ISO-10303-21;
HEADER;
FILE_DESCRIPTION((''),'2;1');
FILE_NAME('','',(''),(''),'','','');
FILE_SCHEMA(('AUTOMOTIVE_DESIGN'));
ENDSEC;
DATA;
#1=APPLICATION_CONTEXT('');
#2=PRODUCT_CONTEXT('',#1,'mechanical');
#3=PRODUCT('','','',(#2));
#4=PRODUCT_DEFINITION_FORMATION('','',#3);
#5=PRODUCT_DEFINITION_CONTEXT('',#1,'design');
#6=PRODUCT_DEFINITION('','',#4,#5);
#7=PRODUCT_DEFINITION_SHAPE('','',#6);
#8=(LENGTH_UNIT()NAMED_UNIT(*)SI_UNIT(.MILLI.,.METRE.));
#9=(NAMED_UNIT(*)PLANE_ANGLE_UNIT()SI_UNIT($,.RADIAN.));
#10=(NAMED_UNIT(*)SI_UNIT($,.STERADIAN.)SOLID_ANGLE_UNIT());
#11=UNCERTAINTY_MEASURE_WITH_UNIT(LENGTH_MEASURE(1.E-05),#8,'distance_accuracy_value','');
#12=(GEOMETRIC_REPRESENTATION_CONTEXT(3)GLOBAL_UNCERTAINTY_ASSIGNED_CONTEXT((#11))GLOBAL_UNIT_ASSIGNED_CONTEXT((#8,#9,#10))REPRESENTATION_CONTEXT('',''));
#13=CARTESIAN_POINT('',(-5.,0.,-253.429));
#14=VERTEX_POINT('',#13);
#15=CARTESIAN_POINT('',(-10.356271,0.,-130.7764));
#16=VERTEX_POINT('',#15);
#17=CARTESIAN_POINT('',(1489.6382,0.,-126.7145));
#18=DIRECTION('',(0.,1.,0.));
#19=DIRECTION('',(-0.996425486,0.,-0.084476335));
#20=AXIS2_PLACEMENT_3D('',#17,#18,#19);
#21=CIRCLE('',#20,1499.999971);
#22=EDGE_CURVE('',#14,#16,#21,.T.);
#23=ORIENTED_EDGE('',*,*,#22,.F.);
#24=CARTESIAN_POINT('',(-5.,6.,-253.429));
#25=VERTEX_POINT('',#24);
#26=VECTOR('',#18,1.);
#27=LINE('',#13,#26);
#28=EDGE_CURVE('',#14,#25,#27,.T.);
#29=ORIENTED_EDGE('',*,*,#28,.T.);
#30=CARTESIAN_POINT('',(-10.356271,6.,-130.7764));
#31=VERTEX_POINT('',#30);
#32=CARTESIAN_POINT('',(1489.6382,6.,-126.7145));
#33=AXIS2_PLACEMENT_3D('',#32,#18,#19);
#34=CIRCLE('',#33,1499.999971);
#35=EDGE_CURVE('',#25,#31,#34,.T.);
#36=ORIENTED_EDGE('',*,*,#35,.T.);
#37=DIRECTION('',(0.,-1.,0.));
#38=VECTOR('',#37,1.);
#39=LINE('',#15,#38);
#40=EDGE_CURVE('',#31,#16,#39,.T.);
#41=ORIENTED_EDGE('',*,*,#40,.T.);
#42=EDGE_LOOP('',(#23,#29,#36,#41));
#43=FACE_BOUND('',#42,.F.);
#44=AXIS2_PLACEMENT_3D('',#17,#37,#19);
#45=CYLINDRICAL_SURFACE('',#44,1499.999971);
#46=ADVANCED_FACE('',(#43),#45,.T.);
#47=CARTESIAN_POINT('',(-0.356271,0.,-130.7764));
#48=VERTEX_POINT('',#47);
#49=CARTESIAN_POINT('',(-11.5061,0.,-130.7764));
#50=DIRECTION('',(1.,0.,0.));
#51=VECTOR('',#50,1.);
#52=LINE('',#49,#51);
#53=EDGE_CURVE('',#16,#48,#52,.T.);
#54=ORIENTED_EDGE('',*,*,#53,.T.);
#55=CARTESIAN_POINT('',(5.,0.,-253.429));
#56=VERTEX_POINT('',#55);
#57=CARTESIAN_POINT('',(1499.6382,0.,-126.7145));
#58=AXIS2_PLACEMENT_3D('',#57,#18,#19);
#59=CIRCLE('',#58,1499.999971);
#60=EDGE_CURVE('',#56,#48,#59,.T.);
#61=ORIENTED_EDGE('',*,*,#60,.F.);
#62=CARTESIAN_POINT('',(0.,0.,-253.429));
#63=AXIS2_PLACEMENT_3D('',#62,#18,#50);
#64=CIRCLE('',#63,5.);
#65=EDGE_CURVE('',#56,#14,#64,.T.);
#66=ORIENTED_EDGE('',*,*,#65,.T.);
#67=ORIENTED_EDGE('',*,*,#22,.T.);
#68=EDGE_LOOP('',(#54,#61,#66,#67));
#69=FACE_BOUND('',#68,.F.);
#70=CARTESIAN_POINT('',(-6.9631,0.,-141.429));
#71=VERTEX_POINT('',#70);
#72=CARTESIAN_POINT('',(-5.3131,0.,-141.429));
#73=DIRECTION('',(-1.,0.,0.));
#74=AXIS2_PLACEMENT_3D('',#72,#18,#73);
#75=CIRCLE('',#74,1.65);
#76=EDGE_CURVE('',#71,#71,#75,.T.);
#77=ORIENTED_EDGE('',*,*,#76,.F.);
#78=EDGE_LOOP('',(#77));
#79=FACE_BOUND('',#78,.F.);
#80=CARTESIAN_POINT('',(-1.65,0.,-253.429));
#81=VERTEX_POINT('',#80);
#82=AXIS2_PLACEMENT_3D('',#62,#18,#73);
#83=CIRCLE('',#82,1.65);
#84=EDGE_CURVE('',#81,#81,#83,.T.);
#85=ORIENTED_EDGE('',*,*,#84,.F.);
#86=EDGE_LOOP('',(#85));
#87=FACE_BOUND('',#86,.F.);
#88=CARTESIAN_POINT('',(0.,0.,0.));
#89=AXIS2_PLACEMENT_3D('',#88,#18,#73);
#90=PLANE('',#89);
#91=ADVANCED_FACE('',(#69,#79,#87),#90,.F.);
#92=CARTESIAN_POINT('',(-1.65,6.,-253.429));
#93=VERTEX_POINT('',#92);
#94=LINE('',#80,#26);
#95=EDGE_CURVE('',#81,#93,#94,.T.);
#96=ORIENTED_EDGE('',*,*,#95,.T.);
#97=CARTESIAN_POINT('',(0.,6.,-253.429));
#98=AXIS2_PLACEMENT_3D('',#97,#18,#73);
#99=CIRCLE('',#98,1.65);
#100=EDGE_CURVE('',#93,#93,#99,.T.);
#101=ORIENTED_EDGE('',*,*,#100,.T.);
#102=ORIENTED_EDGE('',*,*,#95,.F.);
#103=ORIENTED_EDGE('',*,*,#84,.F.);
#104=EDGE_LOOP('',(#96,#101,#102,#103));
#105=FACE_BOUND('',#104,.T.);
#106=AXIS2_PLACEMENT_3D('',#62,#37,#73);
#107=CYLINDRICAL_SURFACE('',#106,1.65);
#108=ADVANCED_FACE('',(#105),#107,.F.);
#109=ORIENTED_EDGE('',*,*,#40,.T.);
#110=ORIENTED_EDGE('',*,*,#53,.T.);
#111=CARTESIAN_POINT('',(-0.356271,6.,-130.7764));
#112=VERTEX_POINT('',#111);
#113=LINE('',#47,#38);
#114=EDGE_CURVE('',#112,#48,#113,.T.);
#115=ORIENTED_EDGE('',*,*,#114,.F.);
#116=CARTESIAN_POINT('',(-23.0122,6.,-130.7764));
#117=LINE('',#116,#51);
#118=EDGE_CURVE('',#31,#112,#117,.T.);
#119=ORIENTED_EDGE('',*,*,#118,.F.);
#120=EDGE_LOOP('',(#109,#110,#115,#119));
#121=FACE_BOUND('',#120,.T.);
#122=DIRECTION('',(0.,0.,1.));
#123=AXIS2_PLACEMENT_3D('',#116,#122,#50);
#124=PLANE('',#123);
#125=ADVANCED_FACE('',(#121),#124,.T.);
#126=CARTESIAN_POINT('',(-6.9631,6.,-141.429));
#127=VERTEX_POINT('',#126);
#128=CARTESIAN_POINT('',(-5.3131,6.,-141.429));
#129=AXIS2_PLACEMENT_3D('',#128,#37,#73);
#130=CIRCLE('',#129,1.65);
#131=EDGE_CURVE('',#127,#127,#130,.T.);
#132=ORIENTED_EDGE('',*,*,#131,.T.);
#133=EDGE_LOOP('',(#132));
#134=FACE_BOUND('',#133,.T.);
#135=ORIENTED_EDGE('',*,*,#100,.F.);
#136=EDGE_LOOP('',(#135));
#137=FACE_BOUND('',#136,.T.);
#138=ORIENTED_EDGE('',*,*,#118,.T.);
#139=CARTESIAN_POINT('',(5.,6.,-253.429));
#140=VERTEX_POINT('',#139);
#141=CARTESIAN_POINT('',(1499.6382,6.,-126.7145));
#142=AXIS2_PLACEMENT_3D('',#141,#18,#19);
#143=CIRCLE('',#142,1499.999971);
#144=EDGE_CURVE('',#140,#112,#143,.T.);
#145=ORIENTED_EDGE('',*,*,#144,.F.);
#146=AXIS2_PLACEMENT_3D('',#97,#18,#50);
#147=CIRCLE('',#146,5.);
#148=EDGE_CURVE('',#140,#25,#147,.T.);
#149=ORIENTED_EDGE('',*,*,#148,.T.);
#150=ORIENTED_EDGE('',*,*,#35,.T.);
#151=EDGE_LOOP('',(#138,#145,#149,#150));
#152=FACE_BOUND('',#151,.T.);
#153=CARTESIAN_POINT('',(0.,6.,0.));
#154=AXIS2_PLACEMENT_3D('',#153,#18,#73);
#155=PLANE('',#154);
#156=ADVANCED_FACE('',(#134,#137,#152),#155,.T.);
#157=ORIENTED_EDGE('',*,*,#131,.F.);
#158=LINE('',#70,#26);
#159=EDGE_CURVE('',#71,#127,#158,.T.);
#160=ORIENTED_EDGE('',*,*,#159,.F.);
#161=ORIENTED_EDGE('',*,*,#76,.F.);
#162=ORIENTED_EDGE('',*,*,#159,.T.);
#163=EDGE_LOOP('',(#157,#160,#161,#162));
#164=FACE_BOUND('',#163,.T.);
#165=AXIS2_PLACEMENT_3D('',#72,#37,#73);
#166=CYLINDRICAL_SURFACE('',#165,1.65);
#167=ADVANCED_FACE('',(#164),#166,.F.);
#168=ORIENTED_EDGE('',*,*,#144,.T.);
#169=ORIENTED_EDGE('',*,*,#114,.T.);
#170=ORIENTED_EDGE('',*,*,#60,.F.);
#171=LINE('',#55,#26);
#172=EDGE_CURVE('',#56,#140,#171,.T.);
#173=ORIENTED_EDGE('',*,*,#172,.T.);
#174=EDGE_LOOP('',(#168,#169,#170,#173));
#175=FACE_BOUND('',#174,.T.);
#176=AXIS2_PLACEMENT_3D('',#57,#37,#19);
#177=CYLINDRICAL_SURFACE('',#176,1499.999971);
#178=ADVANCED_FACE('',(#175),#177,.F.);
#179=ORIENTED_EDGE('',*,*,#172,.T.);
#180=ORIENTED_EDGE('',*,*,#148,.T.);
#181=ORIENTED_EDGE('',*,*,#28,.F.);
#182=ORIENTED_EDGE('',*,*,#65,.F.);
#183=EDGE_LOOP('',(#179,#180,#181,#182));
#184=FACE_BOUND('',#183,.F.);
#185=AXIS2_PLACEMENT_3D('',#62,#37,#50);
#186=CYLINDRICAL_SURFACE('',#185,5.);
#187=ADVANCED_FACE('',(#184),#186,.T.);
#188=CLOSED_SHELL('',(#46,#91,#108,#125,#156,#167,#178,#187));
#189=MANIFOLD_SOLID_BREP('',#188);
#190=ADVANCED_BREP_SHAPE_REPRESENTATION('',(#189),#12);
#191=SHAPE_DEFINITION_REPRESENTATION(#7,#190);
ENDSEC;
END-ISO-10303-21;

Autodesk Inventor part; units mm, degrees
ref_plane "YZ Plane" through (0, 0, 0) normal (1, 0, 0) x (0, 1, 0)
ref_plane "XZ Plane" through (0, 0, 0) normal (0, 1, 0) x (-1, 0, 0)
ref_plane "XY Plane" through (0, 0, 0) normal (0, 0, 1) x (1, 0, 0)
sketch "Sketch1" plane through (0, 0, 0) normal (0, 1, 0) x (-1, 0, 0)
  line L0 (0, 0) -> (0, -253.429) construction
  line L1 (5, 0) -> (5, -253.429)
  line L2 (-5, -253.429) -> (-5, 0)
  arc A0 (5, 0) -> (-5, 0) centre (0, 0) ccw
  arc A1 (-5, -253.429) -> (5, -253.429) centre (0, -253.429) ccw
  circle A2 centre (0, 0) radius 1.65
  circle A3 centre (0, -253.429) radius 1.65
  arc A4 (5, -253.429) -> (5, 0) centre (-1489.6382, -126.7145) ccw
  arc A5 (-5, -253.429) -> (-5, 0) centre (-1499.6382, -126.7145) ccw
  circle A6 centre (5.3131, -141.429) radius 1.65
  point P0 (0, -126.7145)
  dimension "d0" = 3.3
  dimension "d1" = 3.3
  dimension "d2" = 10
  dimension "d3" = 253.429
  dimension "d16" = 1500
  dimension "d17" = 1500
  dimension "d18" = 3.3
  dimension "d19" = 112
extrude "Extrusion1" add sketch "Sketch1" along normal blind 6 contours A4 L1 A6 | L1 A6 A1 A5 A0
sketch "Sketch2" plane through (0, 6, 0) normal (0, 1, 0) x (1, 0, 0)
  line L0 (-23.0122, 130.7764) -> (18.8584, 130.7764)
  line L1 (18.8584, 130.7764) -> (18.8584, -10.1345)
  line L2 (18.8584, -10.1345) -> (-23.0122, -10.1345)
  line L3 (-23.0122, -10.1345) -> (-23.0122, 130.7764)
  line L4 (-71.0561, 282.155) -> (73.8808, 282.155)
  line L5 (73.8808, 282.155) -> (73.8808, -35.6326)
  line L6 (73.8808, -35.6326) -> (-71.0561, -35.6326)
  line L7 (-71.0561, -35.6326) -> (-71.0561, 282.155)
  point P0 (0, 0)
extrude "Extrusion2" cut sketch "Sketch2" against normal blind 10 contours L0 L1 L2 L3
properties part number "Part_5_p2"
